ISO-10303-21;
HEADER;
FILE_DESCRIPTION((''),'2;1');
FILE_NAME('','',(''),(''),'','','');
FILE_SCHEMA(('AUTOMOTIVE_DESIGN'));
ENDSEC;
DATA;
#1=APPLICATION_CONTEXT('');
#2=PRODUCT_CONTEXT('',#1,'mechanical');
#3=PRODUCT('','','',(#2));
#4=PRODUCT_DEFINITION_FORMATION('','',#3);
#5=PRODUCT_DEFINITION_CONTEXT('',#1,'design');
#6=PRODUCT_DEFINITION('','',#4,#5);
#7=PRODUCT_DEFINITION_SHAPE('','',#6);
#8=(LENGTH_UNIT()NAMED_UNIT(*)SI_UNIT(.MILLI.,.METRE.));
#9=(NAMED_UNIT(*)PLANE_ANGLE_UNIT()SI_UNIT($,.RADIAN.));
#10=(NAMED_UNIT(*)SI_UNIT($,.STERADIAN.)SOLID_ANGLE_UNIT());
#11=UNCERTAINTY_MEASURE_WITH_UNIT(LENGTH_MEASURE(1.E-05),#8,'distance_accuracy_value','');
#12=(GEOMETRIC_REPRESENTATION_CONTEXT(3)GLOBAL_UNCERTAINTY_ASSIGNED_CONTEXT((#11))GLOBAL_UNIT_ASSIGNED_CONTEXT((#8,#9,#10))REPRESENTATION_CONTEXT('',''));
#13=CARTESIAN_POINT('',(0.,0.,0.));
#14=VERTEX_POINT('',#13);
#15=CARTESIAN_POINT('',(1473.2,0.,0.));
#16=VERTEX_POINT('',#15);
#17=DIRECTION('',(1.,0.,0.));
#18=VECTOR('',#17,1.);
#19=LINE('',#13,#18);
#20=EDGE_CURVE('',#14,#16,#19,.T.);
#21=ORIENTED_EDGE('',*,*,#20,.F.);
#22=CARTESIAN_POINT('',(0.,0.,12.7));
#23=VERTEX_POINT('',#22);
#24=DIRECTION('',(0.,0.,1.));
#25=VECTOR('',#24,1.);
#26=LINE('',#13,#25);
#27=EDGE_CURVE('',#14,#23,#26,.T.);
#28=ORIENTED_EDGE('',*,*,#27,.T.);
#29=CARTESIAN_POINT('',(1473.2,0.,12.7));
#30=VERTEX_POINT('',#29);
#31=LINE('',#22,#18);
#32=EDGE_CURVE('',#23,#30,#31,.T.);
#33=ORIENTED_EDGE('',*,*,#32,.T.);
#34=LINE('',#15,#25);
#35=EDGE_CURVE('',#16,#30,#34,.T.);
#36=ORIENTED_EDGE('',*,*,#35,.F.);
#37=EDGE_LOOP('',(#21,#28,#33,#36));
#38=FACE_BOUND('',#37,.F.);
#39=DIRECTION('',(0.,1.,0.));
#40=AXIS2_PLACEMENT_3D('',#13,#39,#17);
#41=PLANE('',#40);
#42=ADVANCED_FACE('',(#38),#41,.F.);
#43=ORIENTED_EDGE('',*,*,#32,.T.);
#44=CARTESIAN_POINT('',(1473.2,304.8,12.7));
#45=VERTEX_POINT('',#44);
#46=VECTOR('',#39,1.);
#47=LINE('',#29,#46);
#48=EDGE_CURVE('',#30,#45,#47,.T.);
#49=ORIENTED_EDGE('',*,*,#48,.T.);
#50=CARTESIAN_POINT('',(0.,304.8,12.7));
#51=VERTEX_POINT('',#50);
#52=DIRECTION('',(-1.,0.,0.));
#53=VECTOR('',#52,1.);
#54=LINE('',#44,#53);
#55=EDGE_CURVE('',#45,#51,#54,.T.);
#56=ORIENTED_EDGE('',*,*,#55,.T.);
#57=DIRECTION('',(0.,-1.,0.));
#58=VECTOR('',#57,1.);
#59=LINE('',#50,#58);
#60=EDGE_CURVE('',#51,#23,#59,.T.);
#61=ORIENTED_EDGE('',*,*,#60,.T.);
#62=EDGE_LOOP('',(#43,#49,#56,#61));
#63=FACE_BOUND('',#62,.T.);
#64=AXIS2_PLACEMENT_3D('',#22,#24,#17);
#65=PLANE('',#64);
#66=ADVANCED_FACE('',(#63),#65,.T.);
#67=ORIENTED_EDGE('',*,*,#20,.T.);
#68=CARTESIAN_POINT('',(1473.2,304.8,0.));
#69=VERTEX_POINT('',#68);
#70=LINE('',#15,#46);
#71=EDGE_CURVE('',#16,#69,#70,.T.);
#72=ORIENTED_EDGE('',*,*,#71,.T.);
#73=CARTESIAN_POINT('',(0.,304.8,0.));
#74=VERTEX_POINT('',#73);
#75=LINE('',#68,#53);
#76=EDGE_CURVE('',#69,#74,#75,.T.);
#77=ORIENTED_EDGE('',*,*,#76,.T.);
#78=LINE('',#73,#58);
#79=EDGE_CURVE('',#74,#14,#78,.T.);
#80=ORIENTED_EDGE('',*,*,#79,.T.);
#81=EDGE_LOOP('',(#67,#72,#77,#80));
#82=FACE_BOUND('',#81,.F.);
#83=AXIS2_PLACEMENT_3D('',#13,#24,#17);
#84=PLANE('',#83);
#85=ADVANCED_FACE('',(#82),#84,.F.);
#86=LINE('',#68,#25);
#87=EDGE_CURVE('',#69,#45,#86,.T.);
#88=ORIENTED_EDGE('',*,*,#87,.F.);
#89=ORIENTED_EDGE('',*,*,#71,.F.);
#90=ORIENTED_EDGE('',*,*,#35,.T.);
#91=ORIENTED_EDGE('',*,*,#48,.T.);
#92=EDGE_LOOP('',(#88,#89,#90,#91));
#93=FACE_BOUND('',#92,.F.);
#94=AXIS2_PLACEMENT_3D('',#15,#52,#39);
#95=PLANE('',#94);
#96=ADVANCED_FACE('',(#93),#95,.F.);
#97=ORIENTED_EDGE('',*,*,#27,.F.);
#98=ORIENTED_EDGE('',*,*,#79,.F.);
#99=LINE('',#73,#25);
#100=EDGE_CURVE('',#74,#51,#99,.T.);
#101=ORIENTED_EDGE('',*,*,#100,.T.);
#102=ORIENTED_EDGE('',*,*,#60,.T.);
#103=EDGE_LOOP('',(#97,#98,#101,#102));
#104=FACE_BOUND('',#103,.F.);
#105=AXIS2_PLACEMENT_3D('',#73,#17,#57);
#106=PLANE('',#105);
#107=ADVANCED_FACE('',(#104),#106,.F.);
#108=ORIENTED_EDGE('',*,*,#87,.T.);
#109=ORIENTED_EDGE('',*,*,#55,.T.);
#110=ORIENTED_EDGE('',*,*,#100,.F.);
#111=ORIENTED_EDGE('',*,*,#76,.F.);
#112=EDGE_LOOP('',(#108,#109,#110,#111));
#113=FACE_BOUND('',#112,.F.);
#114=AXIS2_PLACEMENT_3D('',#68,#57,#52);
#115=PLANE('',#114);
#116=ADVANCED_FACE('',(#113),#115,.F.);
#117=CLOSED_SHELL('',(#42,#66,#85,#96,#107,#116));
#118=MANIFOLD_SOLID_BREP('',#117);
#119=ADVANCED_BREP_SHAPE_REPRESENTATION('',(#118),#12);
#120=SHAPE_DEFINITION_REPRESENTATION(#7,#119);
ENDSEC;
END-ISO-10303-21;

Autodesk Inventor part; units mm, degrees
ref_plane "YZ Plane" through (0, 0, 0) normal (1, 0, 0) x (0, 1, 0)
ref_plane "XZ Plane" through (0, 0, 0) normal (0, 1, 0) x (-1, 0, 0)
ref_plane "XY Plane" through (0, 0, 0) normal (0, 0, 1) x (1, 0, 0)
sketch "Sketch1" plane through (0, 0, 0) normal (0, 0, 1) x (1, 0, 0)
  line L0 (0, 0) -> (1473.2, 0)
  line L1 (1473.2, 0) -> (1473.2, 304.8)
  line L2 (1473.2, 304.8) -> (0, 304.8)
  line L3 (0, 304.8) -> (0, 0)
  dimension "d0" = 1473.2
  dimension "d1" = 304.8
extrude "Extrusion1" add sketch "Sketch1" along normal blind 12.7
properties part number "back-plate" material "Wood (Cherry)"
